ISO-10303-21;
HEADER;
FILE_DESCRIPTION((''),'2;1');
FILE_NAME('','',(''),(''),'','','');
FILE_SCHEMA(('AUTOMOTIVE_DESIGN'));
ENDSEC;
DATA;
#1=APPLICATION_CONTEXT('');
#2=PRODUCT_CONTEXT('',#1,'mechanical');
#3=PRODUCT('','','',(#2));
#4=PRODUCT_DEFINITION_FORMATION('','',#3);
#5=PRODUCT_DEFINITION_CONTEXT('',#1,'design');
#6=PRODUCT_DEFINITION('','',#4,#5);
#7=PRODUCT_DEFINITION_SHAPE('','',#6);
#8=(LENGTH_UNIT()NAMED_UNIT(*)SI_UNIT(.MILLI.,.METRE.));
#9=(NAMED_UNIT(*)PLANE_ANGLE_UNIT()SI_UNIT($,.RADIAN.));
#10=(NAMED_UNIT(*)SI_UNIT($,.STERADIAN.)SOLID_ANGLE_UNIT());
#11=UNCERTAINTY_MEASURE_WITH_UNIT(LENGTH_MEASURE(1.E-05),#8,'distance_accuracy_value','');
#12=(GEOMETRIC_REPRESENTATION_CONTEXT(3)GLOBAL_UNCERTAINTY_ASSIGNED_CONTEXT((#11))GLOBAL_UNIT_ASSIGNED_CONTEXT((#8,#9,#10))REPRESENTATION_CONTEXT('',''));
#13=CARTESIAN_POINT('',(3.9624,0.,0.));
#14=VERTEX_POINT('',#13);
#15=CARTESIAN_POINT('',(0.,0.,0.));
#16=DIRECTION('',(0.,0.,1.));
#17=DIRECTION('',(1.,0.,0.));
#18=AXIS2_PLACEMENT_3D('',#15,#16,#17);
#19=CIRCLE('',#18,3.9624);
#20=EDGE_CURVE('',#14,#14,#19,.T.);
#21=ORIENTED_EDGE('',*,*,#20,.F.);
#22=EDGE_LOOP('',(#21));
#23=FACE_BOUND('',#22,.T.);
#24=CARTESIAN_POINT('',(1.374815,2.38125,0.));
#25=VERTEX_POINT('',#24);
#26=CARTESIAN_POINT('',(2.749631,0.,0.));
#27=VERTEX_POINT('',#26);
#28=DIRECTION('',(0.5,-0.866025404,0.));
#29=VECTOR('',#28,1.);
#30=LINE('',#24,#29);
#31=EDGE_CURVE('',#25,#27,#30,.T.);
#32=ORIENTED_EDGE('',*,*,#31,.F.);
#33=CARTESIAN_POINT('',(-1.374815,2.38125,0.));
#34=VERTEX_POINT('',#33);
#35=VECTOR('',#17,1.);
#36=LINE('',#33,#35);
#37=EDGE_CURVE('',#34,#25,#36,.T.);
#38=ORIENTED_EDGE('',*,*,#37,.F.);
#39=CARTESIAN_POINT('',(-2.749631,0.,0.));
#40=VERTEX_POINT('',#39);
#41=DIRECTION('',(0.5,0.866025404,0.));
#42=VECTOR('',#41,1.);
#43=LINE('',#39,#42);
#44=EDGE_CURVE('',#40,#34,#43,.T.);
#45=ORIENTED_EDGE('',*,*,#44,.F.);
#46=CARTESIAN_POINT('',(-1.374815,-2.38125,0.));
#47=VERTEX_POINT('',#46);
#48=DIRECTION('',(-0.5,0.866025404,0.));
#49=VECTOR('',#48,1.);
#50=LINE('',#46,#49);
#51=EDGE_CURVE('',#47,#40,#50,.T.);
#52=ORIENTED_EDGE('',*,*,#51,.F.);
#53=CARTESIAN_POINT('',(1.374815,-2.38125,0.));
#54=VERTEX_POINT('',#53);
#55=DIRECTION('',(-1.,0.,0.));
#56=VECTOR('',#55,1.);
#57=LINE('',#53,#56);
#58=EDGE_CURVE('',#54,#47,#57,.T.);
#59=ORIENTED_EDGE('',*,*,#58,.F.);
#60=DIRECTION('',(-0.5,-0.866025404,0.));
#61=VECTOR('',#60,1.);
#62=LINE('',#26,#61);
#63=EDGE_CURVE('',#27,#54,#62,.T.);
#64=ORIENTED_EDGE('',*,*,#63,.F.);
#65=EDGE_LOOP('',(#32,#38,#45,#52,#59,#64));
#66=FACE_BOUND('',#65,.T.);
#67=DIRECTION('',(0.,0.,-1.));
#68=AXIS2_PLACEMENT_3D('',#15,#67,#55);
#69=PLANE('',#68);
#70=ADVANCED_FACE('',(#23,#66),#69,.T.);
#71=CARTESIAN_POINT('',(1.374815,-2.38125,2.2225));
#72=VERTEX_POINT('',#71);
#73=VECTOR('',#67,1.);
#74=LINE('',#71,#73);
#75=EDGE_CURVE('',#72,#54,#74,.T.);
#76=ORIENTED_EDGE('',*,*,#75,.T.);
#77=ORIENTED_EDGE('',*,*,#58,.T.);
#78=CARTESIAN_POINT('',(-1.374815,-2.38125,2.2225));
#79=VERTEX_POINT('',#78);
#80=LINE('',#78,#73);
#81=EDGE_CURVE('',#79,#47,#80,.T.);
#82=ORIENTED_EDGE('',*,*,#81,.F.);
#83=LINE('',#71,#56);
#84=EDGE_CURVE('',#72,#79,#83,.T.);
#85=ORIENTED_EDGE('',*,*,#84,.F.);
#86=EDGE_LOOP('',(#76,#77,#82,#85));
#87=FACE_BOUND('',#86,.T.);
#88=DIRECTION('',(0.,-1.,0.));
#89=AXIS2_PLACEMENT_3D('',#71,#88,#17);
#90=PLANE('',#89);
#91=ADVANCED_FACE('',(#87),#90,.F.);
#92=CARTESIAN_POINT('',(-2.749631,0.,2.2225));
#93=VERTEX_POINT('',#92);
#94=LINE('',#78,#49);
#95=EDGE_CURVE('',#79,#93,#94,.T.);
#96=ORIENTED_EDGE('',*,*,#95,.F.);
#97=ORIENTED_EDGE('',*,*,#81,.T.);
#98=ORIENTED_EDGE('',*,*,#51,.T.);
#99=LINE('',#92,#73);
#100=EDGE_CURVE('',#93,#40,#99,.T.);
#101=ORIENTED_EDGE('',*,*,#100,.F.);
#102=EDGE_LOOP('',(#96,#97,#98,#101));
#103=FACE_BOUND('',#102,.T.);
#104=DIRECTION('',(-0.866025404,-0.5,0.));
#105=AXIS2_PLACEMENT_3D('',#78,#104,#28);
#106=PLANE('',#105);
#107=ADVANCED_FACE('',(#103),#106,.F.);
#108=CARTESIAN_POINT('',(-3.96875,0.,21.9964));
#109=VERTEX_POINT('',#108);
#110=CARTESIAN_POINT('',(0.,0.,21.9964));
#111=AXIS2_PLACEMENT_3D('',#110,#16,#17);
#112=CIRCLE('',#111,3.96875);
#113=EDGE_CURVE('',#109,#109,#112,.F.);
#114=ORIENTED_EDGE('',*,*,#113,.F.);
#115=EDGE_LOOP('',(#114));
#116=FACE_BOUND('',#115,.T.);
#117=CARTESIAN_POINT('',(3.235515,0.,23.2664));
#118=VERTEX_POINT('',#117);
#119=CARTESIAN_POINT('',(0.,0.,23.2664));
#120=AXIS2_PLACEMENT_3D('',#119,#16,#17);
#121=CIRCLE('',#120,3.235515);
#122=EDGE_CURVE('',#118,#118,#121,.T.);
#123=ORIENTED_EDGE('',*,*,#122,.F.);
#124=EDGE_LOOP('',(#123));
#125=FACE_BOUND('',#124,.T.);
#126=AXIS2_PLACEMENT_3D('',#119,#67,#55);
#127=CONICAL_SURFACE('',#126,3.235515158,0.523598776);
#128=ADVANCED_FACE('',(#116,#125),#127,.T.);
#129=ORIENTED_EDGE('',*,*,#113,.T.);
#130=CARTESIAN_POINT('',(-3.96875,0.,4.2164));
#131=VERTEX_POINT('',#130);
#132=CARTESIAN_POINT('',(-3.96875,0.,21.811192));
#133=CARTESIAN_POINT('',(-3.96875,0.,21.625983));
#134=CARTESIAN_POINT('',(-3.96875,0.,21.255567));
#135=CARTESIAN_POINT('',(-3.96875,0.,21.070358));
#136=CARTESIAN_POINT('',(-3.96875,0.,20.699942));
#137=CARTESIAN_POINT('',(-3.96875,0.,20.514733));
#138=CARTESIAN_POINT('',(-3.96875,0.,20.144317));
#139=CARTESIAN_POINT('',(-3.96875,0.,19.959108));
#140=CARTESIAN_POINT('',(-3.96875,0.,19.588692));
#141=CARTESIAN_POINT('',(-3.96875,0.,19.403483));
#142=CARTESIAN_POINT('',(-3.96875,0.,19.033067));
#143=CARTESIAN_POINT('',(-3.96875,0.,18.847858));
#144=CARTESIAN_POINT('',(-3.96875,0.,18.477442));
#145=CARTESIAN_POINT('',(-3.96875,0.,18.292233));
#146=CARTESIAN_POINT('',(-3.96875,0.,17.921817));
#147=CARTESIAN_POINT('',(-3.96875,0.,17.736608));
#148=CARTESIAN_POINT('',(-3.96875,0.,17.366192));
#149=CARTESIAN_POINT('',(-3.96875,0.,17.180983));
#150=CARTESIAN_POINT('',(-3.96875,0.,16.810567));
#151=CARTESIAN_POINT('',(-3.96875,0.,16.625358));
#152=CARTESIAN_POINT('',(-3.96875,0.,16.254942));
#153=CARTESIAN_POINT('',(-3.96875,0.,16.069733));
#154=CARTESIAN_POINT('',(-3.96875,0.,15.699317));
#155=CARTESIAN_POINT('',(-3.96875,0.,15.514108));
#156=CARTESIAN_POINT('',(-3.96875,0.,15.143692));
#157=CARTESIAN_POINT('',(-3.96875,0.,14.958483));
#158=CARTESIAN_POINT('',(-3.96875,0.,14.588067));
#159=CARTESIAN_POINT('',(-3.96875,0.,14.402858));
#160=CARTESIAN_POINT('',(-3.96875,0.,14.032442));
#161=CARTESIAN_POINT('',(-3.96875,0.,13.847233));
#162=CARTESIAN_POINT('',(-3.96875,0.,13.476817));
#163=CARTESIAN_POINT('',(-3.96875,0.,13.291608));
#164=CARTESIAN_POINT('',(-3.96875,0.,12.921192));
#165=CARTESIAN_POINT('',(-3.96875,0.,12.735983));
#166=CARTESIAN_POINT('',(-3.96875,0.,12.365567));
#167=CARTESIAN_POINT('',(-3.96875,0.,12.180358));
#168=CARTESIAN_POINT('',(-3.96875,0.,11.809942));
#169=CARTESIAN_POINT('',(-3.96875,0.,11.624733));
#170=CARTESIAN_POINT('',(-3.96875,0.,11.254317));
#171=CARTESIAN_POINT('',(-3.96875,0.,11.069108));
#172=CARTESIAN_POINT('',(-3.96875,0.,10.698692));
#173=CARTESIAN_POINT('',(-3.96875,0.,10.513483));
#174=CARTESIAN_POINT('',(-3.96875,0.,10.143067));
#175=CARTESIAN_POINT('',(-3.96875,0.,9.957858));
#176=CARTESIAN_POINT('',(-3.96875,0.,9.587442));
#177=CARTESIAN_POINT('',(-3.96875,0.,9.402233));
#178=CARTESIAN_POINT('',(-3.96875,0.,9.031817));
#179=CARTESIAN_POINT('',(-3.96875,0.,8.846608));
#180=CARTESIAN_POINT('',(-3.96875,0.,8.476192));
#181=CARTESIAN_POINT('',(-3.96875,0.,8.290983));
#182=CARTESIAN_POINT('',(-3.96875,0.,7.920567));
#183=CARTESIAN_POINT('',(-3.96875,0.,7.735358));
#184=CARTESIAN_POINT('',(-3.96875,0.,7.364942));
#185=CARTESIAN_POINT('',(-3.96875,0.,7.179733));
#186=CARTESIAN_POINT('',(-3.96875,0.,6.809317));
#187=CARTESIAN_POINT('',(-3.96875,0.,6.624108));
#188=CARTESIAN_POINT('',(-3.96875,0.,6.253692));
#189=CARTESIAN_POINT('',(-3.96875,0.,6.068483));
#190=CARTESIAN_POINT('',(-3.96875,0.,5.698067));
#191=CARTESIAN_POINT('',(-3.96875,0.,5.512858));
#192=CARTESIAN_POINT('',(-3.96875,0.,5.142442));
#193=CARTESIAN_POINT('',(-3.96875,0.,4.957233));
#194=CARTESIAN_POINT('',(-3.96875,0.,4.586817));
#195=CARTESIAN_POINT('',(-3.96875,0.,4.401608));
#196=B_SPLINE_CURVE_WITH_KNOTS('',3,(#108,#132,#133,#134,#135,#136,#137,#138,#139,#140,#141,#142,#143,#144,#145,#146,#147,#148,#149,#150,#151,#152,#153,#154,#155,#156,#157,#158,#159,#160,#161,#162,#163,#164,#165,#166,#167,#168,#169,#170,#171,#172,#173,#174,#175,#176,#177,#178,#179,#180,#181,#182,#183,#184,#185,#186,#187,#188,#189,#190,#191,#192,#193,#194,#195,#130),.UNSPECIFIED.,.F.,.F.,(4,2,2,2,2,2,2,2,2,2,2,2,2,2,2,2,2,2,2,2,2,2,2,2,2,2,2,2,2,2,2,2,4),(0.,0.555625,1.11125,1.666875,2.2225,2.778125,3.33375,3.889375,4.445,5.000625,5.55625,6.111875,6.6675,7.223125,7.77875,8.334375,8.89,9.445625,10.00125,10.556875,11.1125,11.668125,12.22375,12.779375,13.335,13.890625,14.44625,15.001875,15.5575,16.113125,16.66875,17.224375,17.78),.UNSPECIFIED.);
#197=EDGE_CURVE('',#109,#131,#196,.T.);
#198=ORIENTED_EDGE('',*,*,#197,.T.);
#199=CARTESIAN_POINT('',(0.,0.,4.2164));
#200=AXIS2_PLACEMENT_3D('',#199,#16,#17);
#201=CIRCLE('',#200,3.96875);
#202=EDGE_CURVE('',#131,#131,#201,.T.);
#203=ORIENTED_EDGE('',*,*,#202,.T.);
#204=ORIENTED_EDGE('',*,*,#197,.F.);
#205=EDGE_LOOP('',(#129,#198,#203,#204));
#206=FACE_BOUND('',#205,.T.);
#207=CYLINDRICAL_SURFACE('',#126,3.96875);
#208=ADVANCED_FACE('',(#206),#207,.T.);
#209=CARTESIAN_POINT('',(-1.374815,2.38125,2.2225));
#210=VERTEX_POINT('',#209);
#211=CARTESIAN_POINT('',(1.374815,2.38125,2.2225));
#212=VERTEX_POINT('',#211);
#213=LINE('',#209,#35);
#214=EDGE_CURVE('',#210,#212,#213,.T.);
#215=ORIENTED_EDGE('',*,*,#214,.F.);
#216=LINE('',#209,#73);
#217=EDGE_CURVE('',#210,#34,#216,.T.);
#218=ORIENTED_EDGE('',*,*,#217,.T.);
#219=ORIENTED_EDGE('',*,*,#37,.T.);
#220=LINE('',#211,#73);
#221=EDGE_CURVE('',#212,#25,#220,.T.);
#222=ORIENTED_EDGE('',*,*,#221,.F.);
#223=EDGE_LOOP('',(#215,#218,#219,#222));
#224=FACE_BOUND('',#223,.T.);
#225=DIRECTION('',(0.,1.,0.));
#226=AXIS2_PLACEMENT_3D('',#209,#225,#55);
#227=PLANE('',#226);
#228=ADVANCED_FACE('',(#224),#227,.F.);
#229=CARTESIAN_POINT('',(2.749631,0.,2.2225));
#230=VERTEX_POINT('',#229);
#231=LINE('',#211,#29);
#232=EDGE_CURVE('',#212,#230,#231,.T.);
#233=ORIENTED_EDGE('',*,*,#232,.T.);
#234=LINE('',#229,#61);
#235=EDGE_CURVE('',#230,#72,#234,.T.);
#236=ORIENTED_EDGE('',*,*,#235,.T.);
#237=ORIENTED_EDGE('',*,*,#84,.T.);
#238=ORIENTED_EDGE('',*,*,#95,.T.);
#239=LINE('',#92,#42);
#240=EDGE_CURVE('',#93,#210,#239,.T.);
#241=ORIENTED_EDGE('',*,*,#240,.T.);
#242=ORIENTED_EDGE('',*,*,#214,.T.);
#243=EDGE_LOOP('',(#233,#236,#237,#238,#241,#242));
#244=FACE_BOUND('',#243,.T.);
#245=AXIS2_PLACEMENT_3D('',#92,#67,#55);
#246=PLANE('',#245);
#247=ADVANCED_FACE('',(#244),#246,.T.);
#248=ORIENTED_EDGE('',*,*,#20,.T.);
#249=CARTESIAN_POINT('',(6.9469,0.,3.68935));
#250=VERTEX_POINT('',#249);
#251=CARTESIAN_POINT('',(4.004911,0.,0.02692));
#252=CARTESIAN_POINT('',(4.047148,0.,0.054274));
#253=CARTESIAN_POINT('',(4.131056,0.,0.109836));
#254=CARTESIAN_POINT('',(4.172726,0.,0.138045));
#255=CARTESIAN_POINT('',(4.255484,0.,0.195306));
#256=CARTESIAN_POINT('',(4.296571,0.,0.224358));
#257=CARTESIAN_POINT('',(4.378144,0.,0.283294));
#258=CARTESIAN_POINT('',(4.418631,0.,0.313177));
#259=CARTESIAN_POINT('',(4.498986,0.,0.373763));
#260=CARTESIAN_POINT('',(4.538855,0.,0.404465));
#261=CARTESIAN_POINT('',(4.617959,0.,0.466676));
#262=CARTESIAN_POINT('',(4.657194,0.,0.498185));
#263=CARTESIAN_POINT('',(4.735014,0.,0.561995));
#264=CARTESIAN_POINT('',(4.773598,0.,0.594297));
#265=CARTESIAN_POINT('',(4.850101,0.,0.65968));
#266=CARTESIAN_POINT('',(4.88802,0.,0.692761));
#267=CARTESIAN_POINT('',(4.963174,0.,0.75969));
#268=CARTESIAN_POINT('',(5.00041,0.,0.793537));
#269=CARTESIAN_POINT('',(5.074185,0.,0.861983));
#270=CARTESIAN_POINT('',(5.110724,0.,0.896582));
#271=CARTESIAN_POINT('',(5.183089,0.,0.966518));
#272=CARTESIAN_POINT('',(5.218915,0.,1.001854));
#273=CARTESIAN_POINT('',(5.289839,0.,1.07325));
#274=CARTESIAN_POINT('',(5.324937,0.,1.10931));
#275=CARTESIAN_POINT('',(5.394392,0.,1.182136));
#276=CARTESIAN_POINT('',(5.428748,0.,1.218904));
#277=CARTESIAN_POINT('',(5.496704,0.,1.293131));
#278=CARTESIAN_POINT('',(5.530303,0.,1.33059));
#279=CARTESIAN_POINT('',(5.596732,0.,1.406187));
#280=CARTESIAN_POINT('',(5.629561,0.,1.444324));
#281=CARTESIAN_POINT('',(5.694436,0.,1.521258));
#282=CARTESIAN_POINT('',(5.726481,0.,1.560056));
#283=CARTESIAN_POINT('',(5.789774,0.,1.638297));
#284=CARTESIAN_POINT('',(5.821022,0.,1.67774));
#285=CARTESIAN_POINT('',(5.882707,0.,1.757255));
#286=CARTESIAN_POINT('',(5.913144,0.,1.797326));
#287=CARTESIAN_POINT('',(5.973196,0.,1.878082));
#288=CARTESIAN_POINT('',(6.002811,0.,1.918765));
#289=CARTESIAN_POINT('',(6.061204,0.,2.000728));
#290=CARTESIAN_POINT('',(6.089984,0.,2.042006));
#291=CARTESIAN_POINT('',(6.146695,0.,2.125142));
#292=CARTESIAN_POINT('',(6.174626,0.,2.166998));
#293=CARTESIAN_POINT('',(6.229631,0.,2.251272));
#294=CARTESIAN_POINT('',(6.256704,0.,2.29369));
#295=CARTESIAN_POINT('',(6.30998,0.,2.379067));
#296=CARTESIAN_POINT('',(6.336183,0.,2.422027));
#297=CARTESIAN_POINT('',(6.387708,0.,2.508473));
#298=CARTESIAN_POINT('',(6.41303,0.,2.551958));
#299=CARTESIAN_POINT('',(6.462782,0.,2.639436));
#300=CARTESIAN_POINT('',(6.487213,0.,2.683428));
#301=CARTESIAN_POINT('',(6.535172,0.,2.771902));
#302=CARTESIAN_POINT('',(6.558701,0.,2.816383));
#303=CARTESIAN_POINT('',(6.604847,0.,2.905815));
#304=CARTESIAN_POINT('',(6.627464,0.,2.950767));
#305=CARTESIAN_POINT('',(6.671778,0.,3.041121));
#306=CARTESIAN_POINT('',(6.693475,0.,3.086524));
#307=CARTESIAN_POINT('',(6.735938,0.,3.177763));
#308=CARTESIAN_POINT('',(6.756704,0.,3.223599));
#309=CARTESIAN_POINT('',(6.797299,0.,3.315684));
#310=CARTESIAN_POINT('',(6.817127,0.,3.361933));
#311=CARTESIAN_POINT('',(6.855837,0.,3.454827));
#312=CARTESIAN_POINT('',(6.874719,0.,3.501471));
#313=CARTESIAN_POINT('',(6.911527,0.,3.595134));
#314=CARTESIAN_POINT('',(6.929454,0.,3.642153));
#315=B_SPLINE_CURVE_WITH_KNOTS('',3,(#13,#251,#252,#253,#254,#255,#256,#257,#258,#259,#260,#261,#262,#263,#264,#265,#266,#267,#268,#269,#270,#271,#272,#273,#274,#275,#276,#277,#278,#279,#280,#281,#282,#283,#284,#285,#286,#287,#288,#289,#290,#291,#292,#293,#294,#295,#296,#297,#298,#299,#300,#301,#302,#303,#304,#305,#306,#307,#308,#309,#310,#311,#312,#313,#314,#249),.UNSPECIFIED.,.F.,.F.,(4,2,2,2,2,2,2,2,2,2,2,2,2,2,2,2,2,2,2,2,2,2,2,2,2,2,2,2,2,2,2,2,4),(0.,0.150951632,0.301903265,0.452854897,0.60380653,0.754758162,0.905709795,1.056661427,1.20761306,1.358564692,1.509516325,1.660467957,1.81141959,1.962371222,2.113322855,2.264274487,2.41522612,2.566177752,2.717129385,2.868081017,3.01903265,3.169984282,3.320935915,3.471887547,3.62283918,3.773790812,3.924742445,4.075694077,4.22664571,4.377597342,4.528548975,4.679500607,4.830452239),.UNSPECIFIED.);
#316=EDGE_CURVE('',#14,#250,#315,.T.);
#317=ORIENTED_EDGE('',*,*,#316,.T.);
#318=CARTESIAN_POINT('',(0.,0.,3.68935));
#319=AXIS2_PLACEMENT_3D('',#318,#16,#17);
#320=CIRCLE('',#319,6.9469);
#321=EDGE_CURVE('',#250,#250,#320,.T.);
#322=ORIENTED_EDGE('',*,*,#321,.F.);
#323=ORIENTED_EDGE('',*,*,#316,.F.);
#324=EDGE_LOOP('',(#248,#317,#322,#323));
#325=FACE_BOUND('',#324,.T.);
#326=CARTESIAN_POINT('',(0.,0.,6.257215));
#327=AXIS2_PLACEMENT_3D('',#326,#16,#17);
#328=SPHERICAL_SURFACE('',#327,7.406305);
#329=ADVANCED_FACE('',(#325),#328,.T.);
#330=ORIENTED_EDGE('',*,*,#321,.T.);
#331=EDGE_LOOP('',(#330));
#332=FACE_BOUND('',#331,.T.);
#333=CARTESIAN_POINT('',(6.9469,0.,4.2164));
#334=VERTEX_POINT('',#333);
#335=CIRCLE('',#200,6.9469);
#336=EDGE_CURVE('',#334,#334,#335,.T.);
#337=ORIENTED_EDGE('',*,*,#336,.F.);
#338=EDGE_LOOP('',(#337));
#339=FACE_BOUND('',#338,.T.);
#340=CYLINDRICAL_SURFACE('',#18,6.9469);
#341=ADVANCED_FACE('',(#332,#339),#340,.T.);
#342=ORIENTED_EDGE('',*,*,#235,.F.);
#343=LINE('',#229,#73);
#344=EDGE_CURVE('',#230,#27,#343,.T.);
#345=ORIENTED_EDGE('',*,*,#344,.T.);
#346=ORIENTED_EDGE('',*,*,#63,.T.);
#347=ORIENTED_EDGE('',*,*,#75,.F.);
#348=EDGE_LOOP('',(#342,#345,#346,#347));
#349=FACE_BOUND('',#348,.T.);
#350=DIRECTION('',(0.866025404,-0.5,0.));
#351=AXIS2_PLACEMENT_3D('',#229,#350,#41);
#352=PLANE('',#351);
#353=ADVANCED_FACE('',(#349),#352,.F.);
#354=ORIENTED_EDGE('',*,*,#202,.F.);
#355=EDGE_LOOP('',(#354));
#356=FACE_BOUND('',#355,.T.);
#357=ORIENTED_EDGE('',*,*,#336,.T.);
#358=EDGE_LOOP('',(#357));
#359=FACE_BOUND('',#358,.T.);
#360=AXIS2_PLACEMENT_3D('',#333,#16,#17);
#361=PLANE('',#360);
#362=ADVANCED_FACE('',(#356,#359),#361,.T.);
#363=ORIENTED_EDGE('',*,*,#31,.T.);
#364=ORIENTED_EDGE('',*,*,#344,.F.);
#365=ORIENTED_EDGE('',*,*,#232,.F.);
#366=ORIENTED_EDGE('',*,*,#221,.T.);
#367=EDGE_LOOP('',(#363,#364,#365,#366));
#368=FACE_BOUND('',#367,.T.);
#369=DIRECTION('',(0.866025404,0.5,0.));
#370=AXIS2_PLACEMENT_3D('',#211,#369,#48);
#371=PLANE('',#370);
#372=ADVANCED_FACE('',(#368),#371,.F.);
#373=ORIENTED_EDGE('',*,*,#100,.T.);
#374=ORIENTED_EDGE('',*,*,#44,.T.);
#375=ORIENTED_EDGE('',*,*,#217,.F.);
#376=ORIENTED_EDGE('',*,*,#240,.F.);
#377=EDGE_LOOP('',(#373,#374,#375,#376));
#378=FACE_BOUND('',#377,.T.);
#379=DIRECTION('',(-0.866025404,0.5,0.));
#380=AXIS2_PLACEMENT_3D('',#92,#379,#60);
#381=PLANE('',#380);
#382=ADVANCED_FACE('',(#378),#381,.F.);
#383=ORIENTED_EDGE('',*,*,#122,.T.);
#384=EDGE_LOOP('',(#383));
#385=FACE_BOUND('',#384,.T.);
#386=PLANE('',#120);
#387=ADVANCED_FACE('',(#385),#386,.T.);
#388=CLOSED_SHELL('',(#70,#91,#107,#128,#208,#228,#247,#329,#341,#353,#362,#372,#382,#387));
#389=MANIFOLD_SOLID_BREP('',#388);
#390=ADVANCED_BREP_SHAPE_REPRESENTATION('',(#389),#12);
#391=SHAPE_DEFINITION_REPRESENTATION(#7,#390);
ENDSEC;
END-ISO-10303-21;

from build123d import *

# Parameters (mm, degrees)
CUT_EXTRUDE1_DEPTH  = 2.2225
SKETCH3_R           = 3.96875
BOSS_EXTRUDE1_DEPTH = 19.05
CHAMFER1_SIZE       = 1.27
CHAMFER1_SIZE2      = 0.733234842


with BuildPart() as part:
    # Sketch1 → Revolve1 (revolve)
    with BuildSketch(Plane(origin=(0, 0, 0), x_dir=(1, 0, 0), z_dir=(0, 1, 0))):
        with BuildLine():
            Line((6.946899945, -4.2164), (6.946899945, -3.689349932))
            ThreePointArc((6.946899945, -3.689349932), (5.758127461, -1.59917681), (3.962399967, 0))
            Line((3.962399967, 0), (-2.8e-08, 0))
            Line((-2.8e-08, 0), (-2.8e-08, -4.2164))
            Line((-2.8e-08, -4.2164), (6.946899945, -4.2164))
        make_face()
    revolve(axis=Axis((-2.8e-08, 0, 0), (0, 0, -1)))

    # Sketch2 → Cut-Extrude1 (cut)
    with BuildSketch(Plane(origin=(0, 0, 0), x_dir=(-1, 0, 0), z_dir=(0, 0, -1))):
        Polygon((2.749630657, 0), (1.374815329, 2.38125), (-1.374815329, 2.38125), (-2.749630657, 0), (-1.374815329, -2.38125), (1.374815329, -2.38125), align=None)
    extrude(amount=-CUT_EXTRUDE1_DEPTH, mode=Mode.SUBTRACT)

    # Sketch3 → Boss-Extrude1 (add)
    with BuildSketch(Plane.XY.offset(4.2164)):
        with Locations(Location((0, 0, 0), (0, 0, 180))):
            Circle(SKETCH3_R)
    extrude(amount=BOSS_EXTRUDE1_DEPTH)

    # Chamfer1
    chamfer1_edges = [part.edges().sort_by_distance(p)[0] for p in [
        (3.96875, 0, 23.2664),
    ]]
    chamfer1_side = [part.faces().sort_by_distance(p)[0] for p in [
        (3.96875, 0, 13.7414),
    ]]
    chamfer(chamfer1_edges, length=CHAMFER1_SIZE, length2=CHAMFER1_SIZE2, reference=chamfer1_side[0])


solid = part.part
